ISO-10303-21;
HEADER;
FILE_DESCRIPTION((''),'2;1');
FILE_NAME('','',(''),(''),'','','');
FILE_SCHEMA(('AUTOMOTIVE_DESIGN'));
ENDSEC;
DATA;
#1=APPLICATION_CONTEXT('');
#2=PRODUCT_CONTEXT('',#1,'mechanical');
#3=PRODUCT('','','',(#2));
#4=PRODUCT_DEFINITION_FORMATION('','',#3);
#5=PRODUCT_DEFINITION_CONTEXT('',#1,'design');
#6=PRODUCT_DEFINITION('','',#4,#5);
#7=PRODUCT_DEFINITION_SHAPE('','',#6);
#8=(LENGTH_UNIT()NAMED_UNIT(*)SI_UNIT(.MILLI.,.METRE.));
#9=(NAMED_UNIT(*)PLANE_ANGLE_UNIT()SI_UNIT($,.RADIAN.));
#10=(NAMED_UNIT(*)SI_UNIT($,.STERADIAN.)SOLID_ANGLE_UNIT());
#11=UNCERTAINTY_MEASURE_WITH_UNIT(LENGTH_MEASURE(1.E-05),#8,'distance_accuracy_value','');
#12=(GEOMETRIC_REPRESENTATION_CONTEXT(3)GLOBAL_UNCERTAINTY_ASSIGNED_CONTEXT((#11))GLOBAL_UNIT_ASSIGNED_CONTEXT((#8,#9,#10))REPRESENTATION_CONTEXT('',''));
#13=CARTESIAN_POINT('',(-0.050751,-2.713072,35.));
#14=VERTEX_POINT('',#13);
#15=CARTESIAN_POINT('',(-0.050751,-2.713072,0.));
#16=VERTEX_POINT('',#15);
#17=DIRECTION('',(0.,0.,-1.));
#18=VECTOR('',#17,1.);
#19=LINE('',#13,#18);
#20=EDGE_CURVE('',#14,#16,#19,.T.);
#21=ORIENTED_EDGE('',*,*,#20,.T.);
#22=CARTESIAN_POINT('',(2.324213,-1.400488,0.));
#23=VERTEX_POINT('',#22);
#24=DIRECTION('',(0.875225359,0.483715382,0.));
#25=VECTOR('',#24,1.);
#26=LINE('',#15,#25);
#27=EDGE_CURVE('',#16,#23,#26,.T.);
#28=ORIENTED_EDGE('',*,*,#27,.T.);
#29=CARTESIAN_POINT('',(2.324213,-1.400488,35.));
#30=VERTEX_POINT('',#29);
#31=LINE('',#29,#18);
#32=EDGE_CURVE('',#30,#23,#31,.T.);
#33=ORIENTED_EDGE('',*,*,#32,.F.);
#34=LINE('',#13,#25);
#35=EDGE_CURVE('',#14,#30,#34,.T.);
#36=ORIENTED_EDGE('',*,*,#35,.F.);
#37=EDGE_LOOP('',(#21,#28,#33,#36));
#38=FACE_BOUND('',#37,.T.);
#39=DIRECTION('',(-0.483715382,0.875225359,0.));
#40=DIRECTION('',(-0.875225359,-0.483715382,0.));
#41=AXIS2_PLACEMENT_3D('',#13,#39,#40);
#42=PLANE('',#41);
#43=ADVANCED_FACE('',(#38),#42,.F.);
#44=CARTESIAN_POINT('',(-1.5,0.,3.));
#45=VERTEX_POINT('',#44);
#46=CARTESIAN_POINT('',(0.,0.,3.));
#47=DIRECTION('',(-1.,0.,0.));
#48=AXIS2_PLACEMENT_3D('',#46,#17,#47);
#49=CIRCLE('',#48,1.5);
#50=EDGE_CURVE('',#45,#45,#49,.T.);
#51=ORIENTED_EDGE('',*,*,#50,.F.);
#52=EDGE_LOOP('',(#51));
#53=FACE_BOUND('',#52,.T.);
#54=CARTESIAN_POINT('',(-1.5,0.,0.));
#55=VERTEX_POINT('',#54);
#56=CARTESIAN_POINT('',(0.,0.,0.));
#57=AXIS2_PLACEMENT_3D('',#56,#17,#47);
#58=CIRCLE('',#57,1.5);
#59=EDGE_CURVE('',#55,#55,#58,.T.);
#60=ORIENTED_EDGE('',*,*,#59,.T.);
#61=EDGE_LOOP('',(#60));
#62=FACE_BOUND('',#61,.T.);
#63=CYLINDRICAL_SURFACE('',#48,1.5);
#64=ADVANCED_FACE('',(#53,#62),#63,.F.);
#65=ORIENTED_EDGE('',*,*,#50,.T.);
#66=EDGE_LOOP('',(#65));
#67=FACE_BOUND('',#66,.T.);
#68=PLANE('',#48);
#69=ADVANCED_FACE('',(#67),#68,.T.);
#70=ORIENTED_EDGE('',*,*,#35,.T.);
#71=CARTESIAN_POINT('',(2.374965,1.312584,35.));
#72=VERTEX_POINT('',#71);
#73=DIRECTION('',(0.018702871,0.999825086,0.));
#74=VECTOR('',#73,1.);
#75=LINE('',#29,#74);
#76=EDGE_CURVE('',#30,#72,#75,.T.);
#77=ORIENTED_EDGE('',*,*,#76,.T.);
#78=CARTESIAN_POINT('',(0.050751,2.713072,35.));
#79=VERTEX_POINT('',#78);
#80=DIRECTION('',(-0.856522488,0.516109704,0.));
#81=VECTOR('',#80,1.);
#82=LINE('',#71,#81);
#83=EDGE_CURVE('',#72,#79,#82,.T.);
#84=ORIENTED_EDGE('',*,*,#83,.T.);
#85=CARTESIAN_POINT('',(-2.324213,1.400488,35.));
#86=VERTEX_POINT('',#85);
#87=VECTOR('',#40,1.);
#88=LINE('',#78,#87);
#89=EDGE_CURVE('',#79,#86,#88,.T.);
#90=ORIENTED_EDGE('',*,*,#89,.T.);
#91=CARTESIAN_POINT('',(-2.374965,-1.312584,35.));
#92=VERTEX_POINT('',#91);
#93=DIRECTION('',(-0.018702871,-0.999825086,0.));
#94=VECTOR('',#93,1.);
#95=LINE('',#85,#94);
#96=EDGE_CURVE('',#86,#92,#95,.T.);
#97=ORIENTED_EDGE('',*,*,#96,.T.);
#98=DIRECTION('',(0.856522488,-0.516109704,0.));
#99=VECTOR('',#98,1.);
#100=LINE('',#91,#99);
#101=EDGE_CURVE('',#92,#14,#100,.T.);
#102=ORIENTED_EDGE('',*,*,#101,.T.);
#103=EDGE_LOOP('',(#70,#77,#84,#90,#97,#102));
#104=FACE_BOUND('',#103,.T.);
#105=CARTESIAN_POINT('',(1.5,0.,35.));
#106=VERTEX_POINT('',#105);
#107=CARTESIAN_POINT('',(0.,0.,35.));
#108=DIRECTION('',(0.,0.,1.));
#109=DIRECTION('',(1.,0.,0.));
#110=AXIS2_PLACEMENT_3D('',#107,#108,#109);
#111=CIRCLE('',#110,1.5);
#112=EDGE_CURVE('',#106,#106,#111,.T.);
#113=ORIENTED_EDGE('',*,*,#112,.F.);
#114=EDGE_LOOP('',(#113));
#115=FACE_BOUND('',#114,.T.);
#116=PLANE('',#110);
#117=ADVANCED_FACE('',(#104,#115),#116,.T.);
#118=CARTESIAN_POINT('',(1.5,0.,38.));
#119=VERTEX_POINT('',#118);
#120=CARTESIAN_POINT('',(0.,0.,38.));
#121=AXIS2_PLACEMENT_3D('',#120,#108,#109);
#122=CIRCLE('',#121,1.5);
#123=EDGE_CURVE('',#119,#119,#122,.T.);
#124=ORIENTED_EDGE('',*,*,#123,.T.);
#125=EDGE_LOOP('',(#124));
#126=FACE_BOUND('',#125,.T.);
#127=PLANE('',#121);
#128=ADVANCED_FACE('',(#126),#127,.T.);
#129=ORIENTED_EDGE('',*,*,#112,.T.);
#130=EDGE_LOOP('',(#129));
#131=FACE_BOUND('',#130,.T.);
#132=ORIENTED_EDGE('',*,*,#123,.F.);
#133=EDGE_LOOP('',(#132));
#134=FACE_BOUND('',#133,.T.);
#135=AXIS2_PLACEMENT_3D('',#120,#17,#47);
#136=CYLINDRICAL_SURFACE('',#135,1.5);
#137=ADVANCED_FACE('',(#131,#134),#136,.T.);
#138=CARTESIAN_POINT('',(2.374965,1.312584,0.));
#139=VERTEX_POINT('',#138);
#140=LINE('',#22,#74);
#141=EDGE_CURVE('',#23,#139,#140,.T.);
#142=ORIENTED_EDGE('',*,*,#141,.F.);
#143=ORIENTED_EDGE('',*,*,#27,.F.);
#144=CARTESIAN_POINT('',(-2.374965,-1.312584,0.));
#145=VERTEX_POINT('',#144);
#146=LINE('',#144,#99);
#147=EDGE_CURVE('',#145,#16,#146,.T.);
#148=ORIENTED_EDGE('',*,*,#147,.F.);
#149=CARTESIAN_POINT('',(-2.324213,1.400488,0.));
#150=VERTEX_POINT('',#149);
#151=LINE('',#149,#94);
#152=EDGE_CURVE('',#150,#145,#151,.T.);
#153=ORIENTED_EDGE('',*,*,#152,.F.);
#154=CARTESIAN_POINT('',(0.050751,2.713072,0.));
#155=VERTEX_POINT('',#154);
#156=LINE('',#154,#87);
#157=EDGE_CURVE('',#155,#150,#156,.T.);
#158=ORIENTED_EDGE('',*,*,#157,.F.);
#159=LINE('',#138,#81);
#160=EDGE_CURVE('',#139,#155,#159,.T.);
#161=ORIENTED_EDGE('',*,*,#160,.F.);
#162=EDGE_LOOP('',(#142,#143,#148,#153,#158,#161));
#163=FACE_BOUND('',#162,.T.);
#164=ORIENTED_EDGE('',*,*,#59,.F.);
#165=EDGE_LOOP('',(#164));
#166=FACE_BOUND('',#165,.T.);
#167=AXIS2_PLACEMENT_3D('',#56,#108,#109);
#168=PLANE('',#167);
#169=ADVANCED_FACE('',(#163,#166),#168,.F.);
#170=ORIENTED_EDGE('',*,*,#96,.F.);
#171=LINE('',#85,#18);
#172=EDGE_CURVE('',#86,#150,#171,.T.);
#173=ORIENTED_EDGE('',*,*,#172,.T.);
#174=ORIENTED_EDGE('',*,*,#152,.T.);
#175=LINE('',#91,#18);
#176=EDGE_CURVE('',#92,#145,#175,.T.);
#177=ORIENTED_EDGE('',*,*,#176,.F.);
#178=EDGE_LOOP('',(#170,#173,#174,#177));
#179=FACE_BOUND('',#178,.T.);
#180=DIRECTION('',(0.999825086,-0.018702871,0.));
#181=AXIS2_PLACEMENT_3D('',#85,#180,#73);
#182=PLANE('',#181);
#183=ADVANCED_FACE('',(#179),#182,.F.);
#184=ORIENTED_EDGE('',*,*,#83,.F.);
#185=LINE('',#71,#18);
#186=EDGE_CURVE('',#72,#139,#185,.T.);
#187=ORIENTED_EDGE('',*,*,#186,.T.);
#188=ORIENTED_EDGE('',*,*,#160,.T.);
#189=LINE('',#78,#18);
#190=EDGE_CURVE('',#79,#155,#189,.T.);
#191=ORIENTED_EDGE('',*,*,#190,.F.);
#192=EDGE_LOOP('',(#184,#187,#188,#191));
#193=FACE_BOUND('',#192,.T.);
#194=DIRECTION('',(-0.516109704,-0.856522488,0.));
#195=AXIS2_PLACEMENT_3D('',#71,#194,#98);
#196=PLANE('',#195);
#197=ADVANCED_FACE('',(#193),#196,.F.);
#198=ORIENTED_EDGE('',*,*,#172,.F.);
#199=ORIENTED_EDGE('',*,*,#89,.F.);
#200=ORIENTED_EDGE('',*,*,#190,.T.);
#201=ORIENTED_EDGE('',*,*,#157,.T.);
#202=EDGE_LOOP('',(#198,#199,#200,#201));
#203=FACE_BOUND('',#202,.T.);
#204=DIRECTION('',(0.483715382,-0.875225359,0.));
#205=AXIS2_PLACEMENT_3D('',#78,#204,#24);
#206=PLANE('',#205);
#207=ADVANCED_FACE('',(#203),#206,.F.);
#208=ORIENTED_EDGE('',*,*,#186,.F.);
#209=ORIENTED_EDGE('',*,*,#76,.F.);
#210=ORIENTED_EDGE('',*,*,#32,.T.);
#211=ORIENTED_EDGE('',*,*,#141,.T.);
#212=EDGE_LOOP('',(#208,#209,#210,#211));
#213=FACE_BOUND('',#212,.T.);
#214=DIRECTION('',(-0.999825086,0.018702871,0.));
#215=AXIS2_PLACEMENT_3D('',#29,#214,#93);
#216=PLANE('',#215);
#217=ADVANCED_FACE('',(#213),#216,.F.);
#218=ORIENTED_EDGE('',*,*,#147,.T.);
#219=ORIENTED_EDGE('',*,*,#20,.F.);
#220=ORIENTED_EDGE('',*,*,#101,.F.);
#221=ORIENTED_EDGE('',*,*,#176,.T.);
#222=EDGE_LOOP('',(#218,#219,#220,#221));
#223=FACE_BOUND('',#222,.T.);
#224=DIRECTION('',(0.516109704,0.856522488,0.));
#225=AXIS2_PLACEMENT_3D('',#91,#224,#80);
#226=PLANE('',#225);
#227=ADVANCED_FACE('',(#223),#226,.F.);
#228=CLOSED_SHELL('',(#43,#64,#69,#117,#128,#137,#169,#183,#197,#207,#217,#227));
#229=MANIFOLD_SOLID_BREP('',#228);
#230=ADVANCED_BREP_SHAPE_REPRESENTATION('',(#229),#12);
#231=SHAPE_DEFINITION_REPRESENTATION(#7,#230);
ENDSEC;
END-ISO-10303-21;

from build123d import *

# Parameters (mm, degrees)
EXTRUDE_1_DEPTH     = 35
SKETCH_2_R          = 1.5
EXTRUDE_2_DEPTH     = 3
SKETCH_3_R          = 1.5
CUT_EXTRUDE_1_DEPTH = 3


with BuildPart() as part:
    # 草图1 → 凸台-拉伸1 (new body)
    with BuildSketch(Plane.XY):
        Polygon((-2.324213399, 1.400487561), (-2.374964505, -1.312584067), (-0.050751106, -2.713071628), (2.324213399, -1.400487561), (2.374964505, 1.312584067), (0.050751106, 2.713071628), align=None)
    extrude(amount=EXTRUDE_1_DEPTH)

    # 草图2 → 凸台-拉伸2 (add)
    with BuildSketch(Plane.XY.offset(35)):
        Circle(SKETCH_2_R)
    extrude(amount=EXTRUDE_2_DEPTH)

    # 草图3 → 切除-拉伸1 (cut)
    with BuildSketch(Plane(origin=(0, 0, 0), x_dir=(-1, 0, 0), z_dir=(0, 0, -1))):
        with Locations(Location((0, 0, 0), (0, 0, 180))):
            Circle(SKETCH_3_R)
    extrude(amount=-CUT_EXTRUDE_1_DEPTH, mode=Mode.SUBTRACT)


solid = part.part
